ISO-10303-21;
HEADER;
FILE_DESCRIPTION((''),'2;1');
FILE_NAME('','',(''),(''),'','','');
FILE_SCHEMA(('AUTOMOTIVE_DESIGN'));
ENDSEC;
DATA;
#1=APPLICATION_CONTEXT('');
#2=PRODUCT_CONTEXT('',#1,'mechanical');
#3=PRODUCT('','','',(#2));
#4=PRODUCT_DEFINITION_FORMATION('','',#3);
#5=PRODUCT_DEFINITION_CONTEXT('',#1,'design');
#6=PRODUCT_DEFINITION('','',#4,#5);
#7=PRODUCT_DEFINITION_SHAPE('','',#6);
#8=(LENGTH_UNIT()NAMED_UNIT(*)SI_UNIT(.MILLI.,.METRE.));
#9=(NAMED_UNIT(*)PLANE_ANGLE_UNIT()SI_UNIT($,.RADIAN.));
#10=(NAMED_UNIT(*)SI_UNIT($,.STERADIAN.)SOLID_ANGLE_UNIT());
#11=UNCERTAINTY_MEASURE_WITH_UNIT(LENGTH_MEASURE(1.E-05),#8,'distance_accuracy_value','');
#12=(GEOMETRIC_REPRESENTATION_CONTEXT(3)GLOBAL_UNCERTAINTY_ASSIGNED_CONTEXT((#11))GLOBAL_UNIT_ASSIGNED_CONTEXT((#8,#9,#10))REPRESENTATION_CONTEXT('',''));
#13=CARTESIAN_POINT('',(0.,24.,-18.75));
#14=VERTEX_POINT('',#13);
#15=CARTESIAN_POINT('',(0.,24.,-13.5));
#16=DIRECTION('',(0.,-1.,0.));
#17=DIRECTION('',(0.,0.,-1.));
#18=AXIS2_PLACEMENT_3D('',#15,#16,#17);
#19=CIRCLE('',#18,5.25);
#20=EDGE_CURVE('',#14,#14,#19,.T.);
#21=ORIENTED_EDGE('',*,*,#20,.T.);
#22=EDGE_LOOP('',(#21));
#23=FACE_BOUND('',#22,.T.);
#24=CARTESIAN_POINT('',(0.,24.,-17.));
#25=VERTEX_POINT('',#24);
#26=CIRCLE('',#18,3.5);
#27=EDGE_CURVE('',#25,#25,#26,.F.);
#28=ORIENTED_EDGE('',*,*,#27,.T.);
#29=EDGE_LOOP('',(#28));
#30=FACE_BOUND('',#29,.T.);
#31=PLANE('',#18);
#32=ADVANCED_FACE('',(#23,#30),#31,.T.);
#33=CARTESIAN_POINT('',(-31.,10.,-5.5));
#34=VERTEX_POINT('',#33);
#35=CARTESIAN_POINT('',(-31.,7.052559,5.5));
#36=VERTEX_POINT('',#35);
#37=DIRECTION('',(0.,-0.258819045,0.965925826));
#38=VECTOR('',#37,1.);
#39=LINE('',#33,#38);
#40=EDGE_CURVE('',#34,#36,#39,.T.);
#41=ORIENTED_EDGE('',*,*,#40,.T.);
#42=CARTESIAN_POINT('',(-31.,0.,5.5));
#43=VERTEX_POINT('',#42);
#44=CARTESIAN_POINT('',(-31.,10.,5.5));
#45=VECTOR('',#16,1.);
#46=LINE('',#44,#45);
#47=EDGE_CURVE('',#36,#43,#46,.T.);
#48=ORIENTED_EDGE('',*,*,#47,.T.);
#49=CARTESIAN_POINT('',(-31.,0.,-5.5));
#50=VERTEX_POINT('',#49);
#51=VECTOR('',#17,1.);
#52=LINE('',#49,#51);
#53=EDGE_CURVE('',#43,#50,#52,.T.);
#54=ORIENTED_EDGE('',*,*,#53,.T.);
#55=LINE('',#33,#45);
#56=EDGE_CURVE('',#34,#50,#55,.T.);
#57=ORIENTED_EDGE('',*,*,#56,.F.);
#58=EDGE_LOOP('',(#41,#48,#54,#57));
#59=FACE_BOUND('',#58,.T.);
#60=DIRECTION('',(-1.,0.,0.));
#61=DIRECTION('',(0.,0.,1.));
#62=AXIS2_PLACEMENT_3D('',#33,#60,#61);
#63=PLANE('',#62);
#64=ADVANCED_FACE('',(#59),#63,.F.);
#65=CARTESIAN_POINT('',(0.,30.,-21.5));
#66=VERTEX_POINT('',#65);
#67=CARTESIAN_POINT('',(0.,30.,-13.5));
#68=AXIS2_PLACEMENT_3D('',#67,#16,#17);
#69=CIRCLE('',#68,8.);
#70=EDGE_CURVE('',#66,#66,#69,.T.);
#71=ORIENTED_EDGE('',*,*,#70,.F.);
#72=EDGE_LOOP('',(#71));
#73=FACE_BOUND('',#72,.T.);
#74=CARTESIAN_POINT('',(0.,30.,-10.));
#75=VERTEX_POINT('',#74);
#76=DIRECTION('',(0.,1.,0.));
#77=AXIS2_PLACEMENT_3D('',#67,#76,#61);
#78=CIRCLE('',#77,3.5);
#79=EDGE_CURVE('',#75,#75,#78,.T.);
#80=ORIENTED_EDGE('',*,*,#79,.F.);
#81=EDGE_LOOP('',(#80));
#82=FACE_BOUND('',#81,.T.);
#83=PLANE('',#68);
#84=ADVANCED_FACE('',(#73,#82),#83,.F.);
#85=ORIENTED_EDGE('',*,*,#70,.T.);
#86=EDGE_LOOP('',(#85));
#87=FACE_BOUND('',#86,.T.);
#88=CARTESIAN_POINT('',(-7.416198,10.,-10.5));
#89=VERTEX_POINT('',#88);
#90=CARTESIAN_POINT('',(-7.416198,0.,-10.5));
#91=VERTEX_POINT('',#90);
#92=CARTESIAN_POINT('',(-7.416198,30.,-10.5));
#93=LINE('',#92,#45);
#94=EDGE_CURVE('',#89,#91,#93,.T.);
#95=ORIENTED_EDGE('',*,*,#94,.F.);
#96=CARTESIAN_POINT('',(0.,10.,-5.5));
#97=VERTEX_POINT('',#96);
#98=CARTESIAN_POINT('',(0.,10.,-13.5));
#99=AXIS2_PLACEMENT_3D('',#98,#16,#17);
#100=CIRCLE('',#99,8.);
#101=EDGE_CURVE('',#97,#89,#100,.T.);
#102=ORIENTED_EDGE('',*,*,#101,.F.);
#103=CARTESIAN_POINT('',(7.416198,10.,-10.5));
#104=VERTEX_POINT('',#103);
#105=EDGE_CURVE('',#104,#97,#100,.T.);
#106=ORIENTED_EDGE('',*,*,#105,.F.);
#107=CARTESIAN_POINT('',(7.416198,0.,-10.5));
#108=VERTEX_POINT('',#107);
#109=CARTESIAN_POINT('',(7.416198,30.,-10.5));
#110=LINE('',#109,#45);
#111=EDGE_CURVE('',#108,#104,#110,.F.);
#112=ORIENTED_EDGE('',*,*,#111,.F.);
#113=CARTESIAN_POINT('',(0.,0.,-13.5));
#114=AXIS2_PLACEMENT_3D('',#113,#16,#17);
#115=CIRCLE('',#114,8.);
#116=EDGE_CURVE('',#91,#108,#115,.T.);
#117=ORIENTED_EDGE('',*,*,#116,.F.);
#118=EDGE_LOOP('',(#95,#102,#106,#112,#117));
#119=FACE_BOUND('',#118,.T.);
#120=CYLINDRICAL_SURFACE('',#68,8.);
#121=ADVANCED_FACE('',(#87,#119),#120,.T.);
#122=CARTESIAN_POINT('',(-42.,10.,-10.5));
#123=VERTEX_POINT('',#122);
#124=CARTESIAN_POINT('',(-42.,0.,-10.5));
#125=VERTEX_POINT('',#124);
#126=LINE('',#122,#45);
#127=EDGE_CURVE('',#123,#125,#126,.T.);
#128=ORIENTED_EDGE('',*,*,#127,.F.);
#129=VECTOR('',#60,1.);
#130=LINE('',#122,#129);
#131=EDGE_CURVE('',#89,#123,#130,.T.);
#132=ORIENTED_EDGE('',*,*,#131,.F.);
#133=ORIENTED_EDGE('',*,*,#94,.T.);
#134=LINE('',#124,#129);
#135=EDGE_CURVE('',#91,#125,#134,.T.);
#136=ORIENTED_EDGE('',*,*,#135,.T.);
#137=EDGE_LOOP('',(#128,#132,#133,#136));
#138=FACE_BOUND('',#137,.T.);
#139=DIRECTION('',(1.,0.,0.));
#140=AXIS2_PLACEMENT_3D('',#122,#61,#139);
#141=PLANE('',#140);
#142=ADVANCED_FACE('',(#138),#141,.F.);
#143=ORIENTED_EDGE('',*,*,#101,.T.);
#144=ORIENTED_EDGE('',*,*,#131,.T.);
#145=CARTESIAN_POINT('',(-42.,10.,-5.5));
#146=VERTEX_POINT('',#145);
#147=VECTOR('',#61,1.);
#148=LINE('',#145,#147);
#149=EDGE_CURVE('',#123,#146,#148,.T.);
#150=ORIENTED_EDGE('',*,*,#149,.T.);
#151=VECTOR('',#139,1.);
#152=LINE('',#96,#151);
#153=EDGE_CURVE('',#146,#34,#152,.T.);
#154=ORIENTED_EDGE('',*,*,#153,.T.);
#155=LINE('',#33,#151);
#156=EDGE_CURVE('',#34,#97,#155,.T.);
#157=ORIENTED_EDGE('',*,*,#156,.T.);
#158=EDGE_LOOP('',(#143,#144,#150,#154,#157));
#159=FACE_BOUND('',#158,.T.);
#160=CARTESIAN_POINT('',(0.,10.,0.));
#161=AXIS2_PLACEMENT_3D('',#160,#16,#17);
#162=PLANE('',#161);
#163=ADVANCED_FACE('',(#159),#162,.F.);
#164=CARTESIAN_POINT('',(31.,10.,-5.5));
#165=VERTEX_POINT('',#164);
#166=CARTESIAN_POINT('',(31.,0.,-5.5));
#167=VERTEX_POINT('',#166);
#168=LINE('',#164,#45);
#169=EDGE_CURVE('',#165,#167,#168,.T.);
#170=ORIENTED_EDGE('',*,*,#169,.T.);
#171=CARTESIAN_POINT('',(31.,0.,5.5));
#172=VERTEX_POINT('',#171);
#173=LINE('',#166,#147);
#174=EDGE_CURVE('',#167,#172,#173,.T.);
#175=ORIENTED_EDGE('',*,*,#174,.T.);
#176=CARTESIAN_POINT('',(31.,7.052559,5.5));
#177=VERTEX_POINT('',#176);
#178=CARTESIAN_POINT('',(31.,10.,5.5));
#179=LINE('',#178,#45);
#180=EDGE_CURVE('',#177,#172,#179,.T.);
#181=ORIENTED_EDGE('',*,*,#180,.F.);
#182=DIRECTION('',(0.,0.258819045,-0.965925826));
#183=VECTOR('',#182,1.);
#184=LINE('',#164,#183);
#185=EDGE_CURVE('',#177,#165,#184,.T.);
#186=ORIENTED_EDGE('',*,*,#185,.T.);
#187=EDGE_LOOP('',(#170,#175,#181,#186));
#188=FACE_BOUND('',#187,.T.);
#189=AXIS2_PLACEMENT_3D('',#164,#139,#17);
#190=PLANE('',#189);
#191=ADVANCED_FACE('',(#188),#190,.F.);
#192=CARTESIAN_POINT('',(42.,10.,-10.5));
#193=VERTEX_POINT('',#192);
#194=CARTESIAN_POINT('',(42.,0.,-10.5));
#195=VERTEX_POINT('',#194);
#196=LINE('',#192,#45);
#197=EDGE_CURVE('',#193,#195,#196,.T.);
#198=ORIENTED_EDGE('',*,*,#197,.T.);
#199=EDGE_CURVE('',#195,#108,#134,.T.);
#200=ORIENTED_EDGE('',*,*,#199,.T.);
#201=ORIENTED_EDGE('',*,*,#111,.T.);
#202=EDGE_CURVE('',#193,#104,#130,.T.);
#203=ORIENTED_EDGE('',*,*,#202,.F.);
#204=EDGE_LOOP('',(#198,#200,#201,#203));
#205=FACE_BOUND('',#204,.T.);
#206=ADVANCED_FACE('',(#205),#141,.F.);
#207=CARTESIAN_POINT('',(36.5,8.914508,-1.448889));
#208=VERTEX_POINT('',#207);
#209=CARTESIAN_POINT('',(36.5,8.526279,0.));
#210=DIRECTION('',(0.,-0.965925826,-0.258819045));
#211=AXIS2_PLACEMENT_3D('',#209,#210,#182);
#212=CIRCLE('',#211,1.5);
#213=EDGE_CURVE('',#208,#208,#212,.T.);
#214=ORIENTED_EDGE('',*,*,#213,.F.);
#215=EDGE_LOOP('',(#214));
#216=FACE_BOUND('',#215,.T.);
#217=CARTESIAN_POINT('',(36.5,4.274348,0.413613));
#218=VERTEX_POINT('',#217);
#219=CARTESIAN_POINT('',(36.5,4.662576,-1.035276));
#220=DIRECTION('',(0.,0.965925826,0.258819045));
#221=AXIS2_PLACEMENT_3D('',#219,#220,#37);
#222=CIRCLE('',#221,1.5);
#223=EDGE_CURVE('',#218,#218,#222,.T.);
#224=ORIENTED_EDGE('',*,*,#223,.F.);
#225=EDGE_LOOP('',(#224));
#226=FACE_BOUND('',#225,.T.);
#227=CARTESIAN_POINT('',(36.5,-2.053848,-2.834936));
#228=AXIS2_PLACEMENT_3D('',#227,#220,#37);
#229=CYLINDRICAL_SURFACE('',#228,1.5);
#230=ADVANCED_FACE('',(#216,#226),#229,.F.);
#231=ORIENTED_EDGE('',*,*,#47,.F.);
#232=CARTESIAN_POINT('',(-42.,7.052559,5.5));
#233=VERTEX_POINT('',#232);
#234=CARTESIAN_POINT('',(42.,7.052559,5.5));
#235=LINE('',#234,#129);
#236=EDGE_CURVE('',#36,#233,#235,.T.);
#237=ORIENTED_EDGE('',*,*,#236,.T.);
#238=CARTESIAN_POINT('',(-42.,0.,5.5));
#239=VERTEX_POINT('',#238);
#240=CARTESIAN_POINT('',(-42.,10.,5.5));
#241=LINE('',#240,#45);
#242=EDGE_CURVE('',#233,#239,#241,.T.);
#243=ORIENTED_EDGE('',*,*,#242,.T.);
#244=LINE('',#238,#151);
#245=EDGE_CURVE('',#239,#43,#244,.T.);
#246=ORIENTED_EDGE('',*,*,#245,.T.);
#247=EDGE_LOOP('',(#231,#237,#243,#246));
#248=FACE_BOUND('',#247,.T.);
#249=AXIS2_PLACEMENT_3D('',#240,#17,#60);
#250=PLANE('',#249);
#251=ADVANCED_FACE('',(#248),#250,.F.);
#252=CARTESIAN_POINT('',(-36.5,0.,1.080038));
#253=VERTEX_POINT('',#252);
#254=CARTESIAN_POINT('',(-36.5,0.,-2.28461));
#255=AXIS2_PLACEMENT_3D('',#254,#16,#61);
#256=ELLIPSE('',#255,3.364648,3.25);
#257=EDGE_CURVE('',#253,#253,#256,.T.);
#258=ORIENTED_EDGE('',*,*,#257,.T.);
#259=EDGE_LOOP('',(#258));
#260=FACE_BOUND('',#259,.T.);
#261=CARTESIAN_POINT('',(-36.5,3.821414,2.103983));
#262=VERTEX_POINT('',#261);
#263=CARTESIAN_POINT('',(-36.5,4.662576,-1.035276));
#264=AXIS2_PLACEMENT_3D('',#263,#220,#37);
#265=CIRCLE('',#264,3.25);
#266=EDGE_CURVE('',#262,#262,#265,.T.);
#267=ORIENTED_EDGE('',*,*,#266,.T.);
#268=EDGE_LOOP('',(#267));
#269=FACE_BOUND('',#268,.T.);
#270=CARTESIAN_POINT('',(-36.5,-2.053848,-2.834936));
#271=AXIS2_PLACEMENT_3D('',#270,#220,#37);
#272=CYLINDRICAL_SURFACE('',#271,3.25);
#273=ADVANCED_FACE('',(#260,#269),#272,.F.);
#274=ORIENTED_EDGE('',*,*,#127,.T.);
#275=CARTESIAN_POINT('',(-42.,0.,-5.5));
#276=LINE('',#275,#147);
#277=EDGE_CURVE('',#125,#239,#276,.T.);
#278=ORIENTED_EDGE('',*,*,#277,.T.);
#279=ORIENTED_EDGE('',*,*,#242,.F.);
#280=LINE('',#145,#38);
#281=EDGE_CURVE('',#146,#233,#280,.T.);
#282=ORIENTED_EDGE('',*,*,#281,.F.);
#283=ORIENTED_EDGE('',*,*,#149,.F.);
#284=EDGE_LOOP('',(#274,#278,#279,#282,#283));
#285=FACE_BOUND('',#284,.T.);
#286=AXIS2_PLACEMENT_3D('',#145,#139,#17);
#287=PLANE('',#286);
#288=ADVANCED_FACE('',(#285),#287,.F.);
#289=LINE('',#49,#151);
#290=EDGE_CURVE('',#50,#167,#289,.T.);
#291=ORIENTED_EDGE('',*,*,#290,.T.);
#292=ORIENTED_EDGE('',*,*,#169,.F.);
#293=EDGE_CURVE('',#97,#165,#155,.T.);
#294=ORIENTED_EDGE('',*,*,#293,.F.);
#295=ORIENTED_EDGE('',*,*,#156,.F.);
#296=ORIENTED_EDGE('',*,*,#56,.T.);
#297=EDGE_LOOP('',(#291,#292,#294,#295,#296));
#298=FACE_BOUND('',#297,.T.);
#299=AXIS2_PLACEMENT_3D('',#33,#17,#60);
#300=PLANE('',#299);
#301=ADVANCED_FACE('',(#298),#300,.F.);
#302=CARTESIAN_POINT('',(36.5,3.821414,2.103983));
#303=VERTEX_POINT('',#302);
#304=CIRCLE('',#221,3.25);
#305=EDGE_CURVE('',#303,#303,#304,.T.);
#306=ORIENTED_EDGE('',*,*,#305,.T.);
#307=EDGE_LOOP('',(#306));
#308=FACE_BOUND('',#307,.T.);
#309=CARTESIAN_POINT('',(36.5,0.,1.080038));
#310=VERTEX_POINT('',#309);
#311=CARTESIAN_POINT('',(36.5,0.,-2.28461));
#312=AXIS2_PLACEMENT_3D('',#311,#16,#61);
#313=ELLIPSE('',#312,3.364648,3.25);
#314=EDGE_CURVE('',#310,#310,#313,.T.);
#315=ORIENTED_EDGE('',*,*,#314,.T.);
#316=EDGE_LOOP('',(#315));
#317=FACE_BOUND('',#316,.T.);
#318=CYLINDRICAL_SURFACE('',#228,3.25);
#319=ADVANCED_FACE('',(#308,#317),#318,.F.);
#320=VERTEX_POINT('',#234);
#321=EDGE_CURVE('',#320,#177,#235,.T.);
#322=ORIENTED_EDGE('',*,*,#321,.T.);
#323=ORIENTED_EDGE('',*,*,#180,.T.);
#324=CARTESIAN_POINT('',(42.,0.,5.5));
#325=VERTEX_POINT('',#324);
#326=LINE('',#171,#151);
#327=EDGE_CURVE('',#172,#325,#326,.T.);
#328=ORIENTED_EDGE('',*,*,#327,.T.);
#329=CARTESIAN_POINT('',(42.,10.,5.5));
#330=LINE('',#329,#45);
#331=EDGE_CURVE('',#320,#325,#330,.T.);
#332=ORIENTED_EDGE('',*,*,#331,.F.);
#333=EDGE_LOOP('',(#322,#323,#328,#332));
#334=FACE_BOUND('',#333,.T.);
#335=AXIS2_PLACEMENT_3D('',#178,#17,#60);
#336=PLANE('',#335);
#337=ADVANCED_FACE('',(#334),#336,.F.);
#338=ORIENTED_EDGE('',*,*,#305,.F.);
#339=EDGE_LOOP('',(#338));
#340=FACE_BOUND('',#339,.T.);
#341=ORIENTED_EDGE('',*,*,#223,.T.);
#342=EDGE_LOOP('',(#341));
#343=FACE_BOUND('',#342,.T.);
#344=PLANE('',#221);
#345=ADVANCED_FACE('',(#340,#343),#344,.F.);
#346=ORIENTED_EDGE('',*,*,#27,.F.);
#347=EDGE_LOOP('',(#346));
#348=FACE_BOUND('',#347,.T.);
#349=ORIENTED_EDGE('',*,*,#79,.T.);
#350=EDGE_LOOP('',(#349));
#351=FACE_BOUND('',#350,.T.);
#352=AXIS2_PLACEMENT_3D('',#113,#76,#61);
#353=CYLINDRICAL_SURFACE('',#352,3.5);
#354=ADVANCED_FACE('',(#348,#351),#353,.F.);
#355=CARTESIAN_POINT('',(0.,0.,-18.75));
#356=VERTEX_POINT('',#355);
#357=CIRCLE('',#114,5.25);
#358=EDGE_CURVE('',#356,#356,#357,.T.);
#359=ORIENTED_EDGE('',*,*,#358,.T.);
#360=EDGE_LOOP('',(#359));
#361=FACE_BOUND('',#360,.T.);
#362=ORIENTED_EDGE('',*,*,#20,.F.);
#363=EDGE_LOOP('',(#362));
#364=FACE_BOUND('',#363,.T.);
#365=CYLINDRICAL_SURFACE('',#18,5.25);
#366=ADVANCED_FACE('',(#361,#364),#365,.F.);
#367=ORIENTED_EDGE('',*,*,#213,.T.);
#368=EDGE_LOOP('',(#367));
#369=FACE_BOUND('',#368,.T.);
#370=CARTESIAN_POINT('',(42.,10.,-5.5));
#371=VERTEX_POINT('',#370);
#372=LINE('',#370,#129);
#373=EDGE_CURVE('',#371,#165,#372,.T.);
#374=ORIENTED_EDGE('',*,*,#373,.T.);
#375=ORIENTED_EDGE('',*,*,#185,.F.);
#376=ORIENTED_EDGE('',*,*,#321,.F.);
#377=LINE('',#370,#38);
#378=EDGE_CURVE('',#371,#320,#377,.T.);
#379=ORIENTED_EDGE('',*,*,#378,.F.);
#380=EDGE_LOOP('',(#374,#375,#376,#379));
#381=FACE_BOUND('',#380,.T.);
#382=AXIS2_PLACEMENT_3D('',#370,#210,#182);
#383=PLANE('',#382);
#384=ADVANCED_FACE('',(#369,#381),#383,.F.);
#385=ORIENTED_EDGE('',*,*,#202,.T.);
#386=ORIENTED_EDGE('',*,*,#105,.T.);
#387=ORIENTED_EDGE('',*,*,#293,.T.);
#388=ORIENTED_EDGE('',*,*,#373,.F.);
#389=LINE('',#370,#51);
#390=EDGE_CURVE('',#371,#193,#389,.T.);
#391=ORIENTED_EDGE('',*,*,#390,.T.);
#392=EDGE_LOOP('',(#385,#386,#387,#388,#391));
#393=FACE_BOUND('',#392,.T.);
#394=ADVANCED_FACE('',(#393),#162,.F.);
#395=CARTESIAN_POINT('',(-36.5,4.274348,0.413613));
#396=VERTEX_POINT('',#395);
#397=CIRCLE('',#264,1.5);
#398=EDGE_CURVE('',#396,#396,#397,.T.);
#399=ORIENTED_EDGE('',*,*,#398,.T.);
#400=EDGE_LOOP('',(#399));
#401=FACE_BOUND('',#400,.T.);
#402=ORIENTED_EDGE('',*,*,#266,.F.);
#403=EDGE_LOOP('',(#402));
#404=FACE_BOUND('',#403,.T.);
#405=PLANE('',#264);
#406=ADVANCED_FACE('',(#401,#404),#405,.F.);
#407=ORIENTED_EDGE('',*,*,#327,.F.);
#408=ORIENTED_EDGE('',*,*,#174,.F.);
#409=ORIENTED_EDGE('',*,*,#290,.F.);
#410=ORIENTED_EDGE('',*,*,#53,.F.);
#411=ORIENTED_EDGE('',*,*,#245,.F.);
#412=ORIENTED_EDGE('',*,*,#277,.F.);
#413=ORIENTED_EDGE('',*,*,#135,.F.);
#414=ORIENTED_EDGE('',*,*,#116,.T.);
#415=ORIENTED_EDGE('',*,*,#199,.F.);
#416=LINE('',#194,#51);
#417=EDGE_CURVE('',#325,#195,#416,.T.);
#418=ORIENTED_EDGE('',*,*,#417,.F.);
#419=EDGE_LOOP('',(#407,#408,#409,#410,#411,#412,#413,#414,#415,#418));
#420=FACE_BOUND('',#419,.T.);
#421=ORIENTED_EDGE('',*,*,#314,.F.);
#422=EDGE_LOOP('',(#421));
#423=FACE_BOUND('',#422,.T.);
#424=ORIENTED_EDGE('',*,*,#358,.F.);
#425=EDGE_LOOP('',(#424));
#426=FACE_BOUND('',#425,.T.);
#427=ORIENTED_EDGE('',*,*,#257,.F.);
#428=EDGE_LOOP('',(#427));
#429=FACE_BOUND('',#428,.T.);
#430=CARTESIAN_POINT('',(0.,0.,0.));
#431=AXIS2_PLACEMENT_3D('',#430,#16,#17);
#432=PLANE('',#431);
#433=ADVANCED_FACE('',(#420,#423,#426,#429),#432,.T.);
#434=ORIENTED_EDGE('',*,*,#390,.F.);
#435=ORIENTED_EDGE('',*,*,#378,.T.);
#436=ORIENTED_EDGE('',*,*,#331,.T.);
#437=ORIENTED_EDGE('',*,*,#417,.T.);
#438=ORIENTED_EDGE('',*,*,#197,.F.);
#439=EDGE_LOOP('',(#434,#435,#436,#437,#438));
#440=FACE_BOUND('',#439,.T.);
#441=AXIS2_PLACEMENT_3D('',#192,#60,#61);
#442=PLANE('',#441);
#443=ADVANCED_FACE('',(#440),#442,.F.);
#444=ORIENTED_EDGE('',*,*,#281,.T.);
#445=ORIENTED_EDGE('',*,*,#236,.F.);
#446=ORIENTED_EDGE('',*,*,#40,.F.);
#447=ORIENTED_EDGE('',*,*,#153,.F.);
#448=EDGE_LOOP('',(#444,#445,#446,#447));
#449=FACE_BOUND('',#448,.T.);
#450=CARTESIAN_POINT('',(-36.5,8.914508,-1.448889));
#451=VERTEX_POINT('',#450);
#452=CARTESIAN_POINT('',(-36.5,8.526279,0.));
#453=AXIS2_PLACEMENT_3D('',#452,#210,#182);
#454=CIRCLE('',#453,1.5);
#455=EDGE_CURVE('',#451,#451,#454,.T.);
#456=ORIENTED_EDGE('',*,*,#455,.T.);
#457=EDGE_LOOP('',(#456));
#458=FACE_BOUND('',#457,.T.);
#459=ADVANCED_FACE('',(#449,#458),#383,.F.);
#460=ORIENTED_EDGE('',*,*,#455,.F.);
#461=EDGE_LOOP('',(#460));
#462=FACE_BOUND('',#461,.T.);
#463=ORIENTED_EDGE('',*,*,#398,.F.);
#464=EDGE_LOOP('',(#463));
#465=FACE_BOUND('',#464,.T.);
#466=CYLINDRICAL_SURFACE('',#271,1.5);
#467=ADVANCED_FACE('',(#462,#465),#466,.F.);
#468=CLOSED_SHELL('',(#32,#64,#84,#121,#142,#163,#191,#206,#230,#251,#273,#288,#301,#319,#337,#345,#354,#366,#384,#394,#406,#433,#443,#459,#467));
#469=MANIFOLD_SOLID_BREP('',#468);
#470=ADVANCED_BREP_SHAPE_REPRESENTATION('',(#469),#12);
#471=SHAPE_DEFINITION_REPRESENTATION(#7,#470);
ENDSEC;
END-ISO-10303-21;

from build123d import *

# Parameters (mm, degrees)
EXTRUDE_1_DEPTH     = 10
CUT_EXTRUDE_4_DEPTH = 85
SKETCH_6_R          = 1.5
CUT_EXTRUDE_5_DEPTH = 11.953353488
SKETCH_7_R          = 3.25
CUT_EXTRUDE_6_DEPTH = 7.953353488
SKETCH_8_R          = 8
EXTRUDE_2_DEPTH     = 30
SKETCH_9_R          = 3.5
CUT_EXTRUDE_7_DEPTH = 30
SKETCH_10_R         = 5.25
CUT_EXTRUDE_8_DEPTH = 24


with BuildPart() as part:
    # 草图1 → 凸台-拉伸1 (new body)
    with BuildSketch(Plane(origin=(0, 0, 0), x_dir=(1, 0, 0), z_dir=(0, 1, 0))):
        Polygon((-42, 5.5), (-42, 10.5), (42, 10.5), (42, 5.5), (42, -5.5), (31, -5.5), (31, 5.5), (-31, 5.5), (-31, -5.5), (-42, -5.5), align=None)
    extrude(amount=EXTRUDE_1_DEPTH)

    # 草图5 → 切除-拉伸4 (cut, through all)
    with BuildSketch(Plane.ZY.offset(42)):
        Polygon((-5.5, 10), (5.5, 7.052558883), (5.5, 10), align=None)
    extrude(amount=-CUT_EXTRUDE_4_DEPTH, mode=Mode.SUBTRACT)

    # 草图6 → 切除-拉伸5 (cut, through all)
    with BuildSketch(Plane(origin=(0, 12.383949988, -14.397022476), x_dir=(1, 0, 0), z_dir=(0, -0.965925826, -0.258819045))):
        with Locations((-36.5, 14.904894438)):
            Circle(SKETCH_6_R)
        with Locations((36.5, 14.904894438)):
            Circle(SKETCH_6_R)
    extrude(amount=CUT_EXTRUDE_5_DEPTH, mode=Mode.SUBTRACT)

    # 草图7 → 切除-拉伸6 (cut, through all)
    with BuildSketch(Plane(origin=(0, 4.091423714, 1.09629368), x_dir=(1, 0, 0), z_dir=(0, 0.965925826, 0.258819045))):
        with Locations((-36.5, 2.206763503)):
            Circle(SKETCH_7_R)
        with Locations((36.5, 2.206763503)):
            Circle(SKETCH_7_R)
    extrude(amount=-CUT_EXTRUDE_6_DEPTH, mode=Mode.SUBTRACT)

    # 草图8 → 凸台-拉伸2 (add)
    with BuildSketch(Plane.XZ):
        with Locations((0, -13.5)):
            Circle(SKETCH_8_R)
    extrude(amount=-EXTRUDE_2_DEPTH)

    # 草图9 → 切除-拉伸7 (cut)
    with BuildSketch(Plane(origin=(0, 30, 0), x_dir=(1, 0, 0), z_dir=(0, 1, 0))):
        with Locations((0, 13.5)):
            Circle(SKETCH_9_R)
    extrude(amount=-CUT_EXTRUDE_7_DEPTH, mode=Mode.SUBTRACT)

    # 草图10 → 切除-拉伸8 (cut)
    with BuildSketch(Plane.XZ):
        with Locations((0, -13.5)):
            Circle(SKETCH_10_R)
    extrude(amount=-CUT_EXTRUDE_8_DEPTH, mode=Mode.SUBTRACT)


solid = part.part
